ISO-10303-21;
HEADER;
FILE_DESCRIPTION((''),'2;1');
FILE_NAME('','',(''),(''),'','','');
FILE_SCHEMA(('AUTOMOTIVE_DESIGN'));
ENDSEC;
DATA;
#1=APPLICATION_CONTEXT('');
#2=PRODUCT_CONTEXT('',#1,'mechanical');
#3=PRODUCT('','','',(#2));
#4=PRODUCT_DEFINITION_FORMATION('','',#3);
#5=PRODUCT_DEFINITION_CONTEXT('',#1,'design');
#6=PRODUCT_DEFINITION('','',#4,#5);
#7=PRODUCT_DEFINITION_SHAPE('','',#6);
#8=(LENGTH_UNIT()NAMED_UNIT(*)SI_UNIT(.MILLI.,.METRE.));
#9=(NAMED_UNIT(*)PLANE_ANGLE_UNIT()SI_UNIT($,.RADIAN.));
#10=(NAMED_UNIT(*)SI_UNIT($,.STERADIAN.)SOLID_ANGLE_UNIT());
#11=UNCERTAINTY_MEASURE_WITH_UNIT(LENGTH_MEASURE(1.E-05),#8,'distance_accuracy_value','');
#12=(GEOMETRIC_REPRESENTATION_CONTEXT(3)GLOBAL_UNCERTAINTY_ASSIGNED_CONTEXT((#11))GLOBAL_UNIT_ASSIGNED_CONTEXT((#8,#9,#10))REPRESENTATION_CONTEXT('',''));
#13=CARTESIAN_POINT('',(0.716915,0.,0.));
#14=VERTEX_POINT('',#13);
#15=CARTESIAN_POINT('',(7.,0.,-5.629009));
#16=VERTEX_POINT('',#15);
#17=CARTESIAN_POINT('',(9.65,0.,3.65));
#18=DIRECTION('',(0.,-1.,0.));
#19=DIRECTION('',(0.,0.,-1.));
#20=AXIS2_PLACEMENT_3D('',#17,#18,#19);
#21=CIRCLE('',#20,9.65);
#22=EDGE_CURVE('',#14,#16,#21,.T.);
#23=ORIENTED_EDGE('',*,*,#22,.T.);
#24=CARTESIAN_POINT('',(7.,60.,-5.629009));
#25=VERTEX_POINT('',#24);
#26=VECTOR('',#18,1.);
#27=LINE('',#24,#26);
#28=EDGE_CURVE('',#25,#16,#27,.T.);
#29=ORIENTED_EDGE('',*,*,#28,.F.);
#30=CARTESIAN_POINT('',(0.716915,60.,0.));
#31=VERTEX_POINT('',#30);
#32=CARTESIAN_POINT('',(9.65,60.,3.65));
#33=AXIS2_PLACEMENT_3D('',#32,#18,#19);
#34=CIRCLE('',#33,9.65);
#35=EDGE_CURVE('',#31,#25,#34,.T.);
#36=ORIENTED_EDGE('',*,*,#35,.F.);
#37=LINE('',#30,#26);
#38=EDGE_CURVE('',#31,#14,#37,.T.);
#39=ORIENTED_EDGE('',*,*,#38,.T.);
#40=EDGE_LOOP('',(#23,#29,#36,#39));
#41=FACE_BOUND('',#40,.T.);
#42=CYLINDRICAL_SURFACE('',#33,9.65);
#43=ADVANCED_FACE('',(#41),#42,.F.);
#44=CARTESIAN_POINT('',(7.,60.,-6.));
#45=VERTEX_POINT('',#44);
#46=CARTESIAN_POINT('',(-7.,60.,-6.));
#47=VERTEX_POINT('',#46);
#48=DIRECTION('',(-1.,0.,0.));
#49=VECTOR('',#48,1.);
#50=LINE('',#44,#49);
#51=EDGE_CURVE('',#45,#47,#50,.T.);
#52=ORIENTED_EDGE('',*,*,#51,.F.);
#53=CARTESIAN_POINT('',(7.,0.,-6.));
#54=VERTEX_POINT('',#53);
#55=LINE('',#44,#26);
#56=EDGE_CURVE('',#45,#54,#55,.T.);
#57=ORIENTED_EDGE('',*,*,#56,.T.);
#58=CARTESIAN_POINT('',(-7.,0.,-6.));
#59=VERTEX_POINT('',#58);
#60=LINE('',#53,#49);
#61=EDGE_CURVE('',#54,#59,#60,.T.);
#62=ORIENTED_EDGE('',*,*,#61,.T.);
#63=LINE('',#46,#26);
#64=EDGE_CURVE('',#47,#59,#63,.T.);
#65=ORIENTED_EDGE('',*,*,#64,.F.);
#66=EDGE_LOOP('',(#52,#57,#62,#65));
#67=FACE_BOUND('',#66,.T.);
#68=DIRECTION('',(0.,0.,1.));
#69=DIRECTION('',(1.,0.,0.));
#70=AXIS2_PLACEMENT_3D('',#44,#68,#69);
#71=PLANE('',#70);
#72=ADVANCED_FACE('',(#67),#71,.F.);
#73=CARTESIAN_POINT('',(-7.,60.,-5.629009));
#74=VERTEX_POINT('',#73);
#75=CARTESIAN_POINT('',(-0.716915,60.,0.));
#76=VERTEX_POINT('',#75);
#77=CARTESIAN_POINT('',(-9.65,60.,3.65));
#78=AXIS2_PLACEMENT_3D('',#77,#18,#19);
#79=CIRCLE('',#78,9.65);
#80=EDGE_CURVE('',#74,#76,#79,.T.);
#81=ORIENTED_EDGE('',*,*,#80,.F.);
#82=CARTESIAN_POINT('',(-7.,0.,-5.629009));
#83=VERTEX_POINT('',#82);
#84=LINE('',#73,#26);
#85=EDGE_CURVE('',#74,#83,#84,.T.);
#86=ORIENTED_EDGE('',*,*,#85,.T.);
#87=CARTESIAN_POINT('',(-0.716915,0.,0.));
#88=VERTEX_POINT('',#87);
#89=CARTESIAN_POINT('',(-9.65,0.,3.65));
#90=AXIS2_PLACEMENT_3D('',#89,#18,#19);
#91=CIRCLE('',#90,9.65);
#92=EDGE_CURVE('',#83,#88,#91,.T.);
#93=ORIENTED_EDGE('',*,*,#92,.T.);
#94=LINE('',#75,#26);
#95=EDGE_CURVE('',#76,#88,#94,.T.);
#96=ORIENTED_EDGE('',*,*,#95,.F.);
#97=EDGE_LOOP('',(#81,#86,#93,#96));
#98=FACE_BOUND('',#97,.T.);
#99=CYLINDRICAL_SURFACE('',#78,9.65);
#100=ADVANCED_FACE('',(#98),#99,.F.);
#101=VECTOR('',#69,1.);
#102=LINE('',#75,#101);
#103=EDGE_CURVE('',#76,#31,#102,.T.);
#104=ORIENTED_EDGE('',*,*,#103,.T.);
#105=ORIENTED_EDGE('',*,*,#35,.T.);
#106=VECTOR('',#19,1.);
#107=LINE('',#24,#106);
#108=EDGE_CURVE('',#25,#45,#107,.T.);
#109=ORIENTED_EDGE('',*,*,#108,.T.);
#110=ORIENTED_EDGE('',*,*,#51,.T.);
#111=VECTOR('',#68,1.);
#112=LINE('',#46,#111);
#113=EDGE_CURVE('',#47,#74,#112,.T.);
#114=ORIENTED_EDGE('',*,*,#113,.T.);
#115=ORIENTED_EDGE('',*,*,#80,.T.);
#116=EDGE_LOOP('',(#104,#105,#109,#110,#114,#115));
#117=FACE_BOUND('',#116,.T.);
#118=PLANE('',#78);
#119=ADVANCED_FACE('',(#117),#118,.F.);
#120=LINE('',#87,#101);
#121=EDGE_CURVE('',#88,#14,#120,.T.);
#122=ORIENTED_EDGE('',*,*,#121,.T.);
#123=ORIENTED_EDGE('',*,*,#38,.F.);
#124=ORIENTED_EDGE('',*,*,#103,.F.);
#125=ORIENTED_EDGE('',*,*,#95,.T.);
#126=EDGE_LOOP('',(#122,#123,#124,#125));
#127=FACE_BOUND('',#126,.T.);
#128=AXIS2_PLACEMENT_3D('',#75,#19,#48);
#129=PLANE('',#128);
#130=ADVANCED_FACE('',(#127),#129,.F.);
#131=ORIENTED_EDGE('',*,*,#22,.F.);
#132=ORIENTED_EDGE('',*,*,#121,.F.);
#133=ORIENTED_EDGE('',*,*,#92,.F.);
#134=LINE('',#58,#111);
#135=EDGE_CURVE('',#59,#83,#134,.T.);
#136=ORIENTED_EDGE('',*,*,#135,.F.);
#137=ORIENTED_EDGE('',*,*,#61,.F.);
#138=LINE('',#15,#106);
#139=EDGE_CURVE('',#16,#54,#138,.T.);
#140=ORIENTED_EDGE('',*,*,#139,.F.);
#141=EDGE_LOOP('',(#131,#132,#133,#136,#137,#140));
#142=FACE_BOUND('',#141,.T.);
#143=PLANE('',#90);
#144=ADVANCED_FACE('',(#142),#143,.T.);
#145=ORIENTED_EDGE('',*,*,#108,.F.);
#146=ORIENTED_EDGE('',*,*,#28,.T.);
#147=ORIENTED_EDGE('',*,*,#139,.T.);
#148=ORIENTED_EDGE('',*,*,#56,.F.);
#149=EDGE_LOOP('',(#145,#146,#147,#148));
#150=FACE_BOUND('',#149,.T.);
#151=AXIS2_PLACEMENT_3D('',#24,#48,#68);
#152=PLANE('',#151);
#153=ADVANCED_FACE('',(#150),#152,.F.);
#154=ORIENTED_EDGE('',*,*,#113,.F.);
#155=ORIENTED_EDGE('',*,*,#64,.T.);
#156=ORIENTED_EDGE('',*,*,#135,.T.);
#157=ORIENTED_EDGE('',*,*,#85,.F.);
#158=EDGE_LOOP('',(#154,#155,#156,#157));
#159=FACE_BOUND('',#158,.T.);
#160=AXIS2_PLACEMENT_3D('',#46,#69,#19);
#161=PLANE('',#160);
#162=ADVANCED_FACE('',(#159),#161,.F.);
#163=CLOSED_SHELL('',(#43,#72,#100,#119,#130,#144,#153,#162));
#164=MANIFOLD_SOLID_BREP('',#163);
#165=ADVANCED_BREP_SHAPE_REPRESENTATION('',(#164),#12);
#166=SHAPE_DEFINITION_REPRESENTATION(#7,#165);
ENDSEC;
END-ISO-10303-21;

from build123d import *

# Parameters (mm, degrees)
BOSS_EXTRUDE1_DEPTH = 60


with BuildPart() as part:
    # Sketch1 → Boss-Extrude1 (new body)
    with BuildSketch(Plane(origin=(0, 0, 0), x_dir=(1, 0, 0), z_dir=(0, 1, 0))):
        with BuildLine():
            Line((-0.716915426, 0), (0.716915426, 0))
            ThreePointArc((0.716915426, 0), (3.210792252, 3.53742677), (7, 5.629008568))
            Line((7, 5.629008568), (7, 6))
            Line((7, 6), (-7, 6))
            Line((-7, 6), (-7, 5.629008568))
            ThreePointArc((-7, 5.629008568), (-3.210792252, 3.53742677), (-0.716915426, 0))
        make_face()
    extrude(amount=BOSS_EXTRUDE1_DEPTH)


solid = part.part
